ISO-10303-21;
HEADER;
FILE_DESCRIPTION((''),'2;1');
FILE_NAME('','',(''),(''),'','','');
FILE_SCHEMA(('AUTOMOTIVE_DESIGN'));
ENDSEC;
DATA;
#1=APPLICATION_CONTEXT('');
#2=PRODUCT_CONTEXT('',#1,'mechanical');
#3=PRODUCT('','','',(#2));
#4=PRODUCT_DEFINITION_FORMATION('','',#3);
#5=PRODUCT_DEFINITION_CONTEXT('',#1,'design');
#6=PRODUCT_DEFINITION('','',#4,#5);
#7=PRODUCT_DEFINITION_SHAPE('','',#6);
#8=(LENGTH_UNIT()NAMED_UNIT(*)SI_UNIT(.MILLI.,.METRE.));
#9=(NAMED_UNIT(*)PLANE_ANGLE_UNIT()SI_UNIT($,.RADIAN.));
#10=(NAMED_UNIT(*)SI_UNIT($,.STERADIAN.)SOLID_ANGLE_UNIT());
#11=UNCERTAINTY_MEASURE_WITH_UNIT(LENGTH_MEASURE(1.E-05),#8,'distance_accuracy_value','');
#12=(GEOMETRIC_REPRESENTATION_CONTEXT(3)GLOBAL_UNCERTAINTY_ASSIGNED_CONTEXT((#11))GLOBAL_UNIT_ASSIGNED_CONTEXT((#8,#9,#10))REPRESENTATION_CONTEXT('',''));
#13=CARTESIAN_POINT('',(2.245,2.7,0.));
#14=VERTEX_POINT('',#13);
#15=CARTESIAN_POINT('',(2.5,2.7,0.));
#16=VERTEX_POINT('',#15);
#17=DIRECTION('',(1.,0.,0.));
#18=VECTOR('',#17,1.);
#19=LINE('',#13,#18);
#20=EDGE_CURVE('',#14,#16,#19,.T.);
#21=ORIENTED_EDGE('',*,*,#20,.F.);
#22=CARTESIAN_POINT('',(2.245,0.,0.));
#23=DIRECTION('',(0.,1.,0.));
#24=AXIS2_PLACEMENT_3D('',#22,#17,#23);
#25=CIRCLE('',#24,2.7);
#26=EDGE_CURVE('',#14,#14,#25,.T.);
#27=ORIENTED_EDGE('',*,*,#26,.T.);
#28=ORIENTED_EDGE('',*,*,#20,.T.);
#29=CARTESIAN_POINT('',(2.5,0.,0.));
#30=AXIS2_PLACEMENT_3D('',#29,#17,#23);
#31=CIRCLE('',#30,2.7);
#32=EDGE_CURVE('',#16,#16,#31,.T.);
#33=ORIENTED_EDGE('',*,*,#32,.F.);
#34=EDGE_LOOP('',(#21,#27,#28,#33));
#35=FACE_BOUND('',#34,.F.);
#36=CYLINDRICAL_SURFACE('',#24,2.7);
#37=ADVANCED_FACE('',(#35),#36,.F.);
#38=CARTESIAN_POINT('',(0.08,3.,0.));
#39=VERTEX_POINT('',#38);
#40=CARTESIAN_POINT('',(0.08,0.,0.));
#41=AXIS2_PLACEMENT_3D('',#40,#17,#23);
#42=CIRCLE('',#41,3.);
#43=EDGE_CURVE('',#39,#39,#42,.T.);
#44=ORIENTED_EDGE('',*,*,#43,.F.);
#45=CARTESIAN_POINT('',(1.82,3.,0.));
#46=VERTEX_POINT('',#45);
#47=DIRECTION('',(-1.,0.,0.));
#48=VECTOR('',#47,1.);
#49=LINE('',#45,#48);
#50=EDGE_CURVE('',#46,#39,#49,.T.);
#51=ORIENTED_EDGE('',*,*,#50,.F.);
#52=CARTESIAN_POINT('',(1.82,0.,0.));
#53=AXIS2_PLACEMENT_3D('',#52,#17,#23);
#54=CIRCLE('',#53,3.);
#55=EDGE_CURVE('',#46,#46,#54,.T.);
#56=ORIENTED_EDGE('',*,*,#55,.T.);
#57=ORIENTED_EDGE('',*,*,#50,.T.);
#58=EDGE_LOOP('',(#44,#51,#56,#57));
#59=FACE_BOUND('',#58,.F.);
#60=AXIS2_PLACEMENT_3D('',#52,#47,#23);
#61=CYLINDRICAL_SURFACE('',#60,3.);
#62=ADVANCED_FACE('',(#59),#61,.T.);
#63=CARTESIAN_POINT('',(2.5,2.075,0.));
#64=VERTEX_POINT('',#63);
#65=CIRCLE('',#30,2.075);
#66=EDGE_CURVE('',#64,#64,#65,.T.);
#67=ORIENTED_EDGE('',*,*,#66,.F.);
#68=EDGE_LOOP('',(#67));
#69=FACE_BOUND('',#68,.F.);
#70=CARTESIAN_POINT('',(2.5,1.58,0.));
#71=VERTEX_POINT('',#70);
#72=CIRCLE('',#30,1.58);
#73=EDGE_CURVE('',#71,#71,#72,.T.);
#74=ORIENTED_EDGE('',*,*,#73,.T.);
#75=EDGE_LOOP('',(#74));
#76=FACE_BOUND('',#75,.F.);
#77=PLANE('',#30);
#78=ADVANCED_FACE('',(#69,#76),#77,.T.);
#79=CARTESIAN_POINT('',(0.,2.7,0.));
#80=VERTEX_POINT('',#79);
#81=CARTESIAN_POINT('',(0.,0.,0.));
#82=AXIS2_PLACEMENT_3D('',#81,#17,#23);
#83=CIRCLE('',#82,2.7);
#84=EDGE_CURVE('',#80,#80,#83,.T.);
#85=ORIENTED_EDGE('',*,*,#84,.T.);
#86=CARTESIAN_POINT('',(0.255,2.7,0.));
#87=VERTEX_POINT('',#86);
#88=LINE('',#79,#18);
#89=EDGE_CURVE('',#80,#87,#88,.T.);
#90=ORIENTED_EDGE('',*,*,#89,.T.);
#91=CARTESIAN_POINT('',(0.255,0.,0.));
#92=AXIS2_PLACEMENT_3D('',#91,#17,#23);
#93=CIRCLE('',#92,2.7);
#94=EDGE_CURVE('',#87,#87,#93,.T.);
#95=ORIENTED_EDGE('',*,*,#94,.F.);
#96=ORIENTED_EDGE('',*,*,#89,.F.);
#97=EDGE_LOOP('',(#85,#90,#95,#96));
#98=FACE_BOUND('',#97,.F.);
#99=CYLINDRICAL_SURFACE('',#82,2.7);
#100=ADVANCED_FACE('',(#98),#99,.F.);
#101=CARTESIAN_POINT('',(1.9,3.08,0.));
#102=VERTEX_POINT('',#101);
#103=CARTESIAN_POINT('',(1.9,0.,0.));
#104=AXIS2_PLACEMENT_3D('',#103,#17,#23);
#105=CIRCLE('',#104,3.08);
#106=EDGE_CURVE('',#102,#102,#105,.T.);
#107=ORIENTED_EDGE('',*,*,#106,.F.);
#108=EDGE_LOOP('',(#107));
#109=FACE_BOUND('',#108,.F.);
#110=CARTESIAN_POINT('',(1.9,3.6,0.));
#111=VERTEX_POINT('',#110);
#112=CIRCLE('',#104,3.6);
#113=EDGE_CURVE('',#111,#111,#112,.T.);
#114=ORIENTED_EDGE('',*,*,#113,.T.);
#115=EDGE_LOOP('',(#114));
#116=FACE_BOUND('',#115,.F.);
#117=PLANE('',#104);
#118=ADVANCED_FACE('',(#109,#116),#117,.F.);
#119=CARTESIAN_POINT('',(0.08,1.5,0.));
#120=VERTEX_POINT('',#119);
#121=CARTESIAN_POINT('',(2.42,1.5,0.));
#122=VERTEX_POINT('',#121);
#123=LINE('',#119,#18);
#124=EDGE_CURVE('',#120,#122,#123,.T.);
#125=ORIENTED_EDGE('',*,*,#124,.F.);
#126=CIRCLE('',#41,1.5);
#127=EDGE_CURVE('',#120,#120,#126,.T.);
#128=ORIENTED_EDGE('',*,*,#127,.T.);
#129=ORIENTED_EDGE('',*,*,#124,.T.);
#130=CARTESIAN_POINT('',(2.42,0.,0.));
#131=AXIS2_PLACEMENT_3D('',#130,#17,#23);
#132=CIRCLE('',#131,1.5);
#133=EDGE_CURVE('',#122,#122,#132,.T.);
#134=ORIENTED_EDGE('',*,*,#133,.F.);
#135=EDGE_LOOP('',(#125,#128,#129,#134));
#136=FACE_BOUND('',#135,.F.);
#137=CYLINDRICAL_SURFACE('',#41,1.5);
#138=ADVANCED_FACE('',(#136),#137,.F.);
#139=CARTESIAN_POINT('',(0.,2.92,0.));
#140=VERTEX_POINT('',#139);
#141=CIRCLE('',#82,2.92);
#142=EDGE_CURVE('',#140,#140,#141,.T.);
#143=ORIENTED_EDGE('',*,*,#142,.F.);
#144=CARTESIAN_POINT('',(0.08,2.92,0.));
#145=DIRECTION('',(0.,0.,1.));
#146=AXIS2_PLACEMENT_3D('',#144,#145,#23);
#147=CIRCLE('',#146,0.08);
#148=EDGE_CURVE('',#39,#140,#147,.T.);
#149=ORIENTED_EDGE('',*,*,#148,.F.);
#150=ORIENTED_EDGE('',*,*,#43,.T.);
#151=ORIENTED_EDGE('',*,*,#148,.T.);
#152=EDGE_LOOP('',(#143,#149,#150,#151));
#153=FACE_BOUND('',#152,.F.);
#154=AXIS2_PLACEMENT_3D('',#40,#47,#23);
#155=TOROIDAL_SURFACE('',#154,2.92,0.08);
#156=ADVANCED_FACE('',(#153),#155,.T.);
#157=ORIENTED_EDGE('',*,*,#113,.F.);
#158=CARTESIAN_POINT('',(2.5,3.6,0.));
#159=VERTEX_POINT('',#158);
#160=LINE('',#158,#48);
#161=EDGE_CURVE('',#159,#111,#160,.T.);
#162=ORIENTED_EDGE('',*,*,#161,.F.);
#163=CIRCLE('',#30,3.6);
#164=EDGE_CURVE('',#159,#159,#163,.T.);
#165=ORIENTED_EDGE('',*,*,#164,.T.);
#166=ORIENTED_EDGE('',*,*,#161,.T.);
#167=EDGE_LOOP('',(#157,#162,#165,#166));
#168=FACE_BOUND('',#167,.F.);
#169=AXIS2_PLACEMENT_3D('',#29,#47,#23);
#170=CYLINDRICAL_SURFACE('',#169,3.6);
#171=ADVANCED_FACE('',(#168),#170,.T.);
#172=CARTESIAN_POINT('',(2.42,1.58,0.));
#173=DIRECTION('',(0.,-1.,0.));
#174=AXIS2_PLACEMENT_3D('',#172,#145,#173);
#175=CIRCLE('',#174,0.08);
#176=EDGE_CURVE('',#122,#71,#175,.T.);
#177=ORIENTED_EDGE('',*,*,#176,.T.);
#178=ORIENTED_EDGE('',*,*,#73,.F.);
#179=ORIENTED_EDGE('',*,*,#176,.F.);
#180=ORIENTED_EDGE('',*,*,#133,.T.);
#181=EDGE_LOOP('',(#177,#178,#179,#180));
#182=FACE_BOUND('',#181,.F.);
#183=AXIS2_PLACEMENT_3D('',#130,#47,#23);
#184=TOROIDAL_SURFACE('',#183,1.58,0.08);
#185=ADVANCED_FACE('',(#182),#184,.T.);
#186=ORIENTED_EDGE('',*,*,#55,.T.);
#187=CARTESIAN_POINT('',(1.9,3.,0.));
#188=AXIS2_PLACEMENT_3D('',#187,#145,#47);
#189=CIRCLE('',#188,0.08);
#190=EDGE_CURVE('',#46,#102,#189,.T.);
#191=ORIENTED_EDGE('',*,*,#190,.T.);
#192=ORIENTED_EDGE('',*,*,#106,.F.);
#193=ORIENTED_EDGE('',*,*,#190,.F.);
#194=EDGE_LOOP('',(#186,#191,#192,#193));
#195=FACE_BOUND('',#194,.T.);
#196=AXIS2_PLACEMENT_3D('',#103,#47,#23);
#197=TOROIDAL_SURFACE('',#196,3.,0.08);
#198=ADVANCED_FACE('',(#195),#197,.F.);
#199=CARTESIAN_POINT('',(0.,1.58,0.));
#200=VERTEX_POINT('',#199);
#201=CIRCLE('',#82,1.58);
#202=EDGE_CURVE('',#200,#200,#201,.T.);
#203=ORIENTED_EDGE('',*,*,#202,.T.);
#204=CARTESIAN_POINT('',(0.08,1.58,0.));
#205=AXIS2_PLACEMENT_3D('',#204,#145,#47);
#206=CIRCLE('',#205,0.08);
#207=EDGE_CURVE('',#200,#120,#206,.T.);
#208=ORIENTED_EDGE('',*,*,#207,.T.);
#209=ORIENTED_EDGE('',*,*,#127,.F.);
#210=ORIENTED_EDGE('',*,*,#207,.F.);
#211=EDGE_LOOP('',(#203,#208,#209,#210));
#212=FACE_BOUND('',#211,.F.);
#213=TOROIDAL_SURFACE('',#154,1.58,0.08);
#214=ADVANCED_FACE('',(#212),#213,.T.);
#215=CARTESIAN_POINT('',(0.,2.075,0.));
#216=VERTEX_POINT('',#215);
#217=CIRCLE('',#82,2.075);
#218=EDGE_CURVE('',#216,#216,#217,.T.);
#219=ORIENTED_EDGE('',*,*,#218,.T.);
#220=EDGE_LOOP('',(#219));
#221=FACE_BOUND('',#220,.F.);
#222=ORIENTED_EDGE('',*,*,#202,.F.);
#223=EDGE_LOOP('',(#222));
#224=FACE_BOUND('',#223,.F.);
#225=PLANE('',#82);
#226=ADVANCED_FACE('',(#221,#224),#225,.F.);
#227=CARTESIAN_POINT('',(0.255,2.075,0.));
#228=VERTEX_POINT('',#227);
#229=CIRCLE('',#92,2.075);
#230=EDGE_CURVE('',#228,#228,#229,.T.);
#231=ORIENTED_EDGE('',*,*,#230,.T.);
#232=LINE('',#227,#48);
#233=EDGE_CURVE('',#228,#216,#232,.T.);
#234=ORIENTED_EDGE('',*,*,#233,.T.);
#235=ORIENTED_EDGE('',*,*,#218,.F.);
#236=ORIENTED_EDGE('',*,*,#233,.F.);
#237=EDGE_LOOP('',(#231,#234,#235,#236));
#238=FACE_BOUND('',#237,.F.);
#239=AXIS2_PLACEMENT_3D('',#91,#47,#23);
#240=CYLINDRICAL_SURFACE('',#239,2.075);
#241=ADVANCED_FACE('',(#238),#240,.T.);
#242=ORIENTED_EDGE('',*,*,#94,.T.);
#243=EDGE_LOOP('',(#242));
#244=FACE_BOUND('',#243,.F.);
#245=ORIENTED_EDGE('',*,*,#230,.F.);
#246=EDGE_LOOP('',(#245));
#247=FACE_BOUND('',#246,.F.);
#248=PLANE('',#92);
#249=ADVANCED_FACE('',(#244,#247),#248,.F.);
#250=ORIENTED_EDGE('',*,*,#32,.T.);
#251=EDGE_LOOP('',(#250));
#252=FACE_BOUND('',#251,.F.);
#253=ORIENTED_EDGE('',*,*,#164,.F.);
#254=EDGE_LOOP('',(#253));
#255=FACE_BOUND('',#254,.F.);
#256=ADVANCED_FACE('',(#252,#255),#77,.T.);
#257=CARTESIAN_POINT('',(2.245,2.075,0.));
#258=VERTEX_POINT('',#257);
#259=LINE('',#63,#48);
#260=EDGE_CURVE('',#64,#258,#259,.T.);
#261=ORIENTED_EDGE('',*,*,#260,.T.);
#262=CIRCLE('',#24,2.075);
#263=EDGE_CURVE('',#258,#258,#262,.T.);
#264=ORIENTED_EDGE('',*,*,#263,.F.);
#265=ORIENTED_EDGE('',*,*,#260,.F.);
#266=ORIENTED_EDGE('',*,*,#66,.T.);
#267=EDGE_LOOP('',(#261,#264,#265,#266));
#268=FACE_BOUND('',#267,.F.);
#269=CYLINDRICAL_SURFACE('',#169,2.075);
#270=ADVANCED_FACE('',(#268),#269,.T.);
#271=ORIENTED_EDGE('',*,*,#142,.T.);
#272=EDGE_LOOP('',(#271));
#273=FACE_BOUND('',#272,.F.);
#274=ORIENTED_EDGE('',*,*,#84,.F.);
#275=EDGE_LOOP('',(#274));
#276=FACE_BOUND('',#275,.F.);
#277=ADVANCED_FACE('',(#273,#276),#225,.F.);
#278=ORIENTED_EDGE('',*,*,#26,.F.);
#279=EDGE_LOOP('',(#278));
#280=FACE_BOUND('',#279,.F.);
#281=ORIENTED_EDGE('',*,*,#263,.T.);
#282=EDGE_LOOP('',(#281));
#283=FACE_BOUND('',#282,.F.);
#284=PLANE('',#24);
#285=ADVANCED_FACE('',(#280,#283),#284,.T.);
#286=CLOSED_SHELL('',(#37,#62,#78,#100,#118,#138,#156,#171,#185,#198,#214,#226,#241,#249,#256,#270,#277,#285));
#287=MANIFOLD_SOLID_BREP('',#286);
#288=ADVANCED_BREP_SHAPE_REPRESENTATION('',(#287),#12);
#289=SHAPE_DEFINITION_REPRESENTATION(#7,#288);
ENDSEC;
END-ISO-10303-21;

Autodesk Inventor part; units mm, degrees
sketch "Sketch_1" plane through (0, 0, 0) normal (0, 0, 1) x (1, 0, 0)
  line L0 (6, 0) -> (-6, 0)
  arc A0 (0, 1.58) -> (0.08, 1.5) centre (0.08, 1.58) ccw
  line L1 (0.08, 1.5) -> (2.42, 1.5)
  arc A1 (2.42, 1.5) -> (2.5, 1.58) centre (2.42, 1.58) ccw
  line L2 (2.5, 1.58) -> (2.5, 2.075)
  line L3 (2.5, 2.075) -> (2.245, 2.075)
  line L4 (2.245, 2.075) -> (2.245, 2.7)
  line L5 (2.245, 2.7) -> (2.5, 2.7)
  line L6 (2.5, 2.7) -> (2.5, 3.6)
  line L7 (2.5, 3.6) -> (1.9, 3.6)
  line L8 (1.9, 3.6) -> (1.9, 3.08)
  arc A2 (1.82, 3) -> (1.9, 3.08) centre (1.9, 3) ccw
  line L9 (1.82, 3) -> (0.08, 3)
  arc A3 (0.08, 3) -> (0, 2.92) centre (0.08, 2.92) ccw
  line L10 (0, 2.92) -> (0, 2.7)
  line L11 (0, 2.7) -> (0.255, 2.7)
  line L12 (0.255, 2.7) -> (0.255, 2.075)
  line L13 (0.255, 2.075) -> (0, 2.075)
  line L14 (0, 2.075) -> (0, 1.58)
revolve "Revolution1" add sketch "Sketch_1" angle 360 about axis through (6, 0, 0) along (1, 0, 0)
ref_plane "to_housing_XY" through (0, 0, 0) normal (1, 0, 0) x (0, 0, -1)
ref_plane "to_housing_YZ" through (0, 0, 0) normal (0, 0, -1) x (0, 1, 0)
ref_plane "to_housing_ZX" through (0, 0, 0) normal (0, 1, 0) x (1, 0, 0)
properties part number "FL673ZZ"
